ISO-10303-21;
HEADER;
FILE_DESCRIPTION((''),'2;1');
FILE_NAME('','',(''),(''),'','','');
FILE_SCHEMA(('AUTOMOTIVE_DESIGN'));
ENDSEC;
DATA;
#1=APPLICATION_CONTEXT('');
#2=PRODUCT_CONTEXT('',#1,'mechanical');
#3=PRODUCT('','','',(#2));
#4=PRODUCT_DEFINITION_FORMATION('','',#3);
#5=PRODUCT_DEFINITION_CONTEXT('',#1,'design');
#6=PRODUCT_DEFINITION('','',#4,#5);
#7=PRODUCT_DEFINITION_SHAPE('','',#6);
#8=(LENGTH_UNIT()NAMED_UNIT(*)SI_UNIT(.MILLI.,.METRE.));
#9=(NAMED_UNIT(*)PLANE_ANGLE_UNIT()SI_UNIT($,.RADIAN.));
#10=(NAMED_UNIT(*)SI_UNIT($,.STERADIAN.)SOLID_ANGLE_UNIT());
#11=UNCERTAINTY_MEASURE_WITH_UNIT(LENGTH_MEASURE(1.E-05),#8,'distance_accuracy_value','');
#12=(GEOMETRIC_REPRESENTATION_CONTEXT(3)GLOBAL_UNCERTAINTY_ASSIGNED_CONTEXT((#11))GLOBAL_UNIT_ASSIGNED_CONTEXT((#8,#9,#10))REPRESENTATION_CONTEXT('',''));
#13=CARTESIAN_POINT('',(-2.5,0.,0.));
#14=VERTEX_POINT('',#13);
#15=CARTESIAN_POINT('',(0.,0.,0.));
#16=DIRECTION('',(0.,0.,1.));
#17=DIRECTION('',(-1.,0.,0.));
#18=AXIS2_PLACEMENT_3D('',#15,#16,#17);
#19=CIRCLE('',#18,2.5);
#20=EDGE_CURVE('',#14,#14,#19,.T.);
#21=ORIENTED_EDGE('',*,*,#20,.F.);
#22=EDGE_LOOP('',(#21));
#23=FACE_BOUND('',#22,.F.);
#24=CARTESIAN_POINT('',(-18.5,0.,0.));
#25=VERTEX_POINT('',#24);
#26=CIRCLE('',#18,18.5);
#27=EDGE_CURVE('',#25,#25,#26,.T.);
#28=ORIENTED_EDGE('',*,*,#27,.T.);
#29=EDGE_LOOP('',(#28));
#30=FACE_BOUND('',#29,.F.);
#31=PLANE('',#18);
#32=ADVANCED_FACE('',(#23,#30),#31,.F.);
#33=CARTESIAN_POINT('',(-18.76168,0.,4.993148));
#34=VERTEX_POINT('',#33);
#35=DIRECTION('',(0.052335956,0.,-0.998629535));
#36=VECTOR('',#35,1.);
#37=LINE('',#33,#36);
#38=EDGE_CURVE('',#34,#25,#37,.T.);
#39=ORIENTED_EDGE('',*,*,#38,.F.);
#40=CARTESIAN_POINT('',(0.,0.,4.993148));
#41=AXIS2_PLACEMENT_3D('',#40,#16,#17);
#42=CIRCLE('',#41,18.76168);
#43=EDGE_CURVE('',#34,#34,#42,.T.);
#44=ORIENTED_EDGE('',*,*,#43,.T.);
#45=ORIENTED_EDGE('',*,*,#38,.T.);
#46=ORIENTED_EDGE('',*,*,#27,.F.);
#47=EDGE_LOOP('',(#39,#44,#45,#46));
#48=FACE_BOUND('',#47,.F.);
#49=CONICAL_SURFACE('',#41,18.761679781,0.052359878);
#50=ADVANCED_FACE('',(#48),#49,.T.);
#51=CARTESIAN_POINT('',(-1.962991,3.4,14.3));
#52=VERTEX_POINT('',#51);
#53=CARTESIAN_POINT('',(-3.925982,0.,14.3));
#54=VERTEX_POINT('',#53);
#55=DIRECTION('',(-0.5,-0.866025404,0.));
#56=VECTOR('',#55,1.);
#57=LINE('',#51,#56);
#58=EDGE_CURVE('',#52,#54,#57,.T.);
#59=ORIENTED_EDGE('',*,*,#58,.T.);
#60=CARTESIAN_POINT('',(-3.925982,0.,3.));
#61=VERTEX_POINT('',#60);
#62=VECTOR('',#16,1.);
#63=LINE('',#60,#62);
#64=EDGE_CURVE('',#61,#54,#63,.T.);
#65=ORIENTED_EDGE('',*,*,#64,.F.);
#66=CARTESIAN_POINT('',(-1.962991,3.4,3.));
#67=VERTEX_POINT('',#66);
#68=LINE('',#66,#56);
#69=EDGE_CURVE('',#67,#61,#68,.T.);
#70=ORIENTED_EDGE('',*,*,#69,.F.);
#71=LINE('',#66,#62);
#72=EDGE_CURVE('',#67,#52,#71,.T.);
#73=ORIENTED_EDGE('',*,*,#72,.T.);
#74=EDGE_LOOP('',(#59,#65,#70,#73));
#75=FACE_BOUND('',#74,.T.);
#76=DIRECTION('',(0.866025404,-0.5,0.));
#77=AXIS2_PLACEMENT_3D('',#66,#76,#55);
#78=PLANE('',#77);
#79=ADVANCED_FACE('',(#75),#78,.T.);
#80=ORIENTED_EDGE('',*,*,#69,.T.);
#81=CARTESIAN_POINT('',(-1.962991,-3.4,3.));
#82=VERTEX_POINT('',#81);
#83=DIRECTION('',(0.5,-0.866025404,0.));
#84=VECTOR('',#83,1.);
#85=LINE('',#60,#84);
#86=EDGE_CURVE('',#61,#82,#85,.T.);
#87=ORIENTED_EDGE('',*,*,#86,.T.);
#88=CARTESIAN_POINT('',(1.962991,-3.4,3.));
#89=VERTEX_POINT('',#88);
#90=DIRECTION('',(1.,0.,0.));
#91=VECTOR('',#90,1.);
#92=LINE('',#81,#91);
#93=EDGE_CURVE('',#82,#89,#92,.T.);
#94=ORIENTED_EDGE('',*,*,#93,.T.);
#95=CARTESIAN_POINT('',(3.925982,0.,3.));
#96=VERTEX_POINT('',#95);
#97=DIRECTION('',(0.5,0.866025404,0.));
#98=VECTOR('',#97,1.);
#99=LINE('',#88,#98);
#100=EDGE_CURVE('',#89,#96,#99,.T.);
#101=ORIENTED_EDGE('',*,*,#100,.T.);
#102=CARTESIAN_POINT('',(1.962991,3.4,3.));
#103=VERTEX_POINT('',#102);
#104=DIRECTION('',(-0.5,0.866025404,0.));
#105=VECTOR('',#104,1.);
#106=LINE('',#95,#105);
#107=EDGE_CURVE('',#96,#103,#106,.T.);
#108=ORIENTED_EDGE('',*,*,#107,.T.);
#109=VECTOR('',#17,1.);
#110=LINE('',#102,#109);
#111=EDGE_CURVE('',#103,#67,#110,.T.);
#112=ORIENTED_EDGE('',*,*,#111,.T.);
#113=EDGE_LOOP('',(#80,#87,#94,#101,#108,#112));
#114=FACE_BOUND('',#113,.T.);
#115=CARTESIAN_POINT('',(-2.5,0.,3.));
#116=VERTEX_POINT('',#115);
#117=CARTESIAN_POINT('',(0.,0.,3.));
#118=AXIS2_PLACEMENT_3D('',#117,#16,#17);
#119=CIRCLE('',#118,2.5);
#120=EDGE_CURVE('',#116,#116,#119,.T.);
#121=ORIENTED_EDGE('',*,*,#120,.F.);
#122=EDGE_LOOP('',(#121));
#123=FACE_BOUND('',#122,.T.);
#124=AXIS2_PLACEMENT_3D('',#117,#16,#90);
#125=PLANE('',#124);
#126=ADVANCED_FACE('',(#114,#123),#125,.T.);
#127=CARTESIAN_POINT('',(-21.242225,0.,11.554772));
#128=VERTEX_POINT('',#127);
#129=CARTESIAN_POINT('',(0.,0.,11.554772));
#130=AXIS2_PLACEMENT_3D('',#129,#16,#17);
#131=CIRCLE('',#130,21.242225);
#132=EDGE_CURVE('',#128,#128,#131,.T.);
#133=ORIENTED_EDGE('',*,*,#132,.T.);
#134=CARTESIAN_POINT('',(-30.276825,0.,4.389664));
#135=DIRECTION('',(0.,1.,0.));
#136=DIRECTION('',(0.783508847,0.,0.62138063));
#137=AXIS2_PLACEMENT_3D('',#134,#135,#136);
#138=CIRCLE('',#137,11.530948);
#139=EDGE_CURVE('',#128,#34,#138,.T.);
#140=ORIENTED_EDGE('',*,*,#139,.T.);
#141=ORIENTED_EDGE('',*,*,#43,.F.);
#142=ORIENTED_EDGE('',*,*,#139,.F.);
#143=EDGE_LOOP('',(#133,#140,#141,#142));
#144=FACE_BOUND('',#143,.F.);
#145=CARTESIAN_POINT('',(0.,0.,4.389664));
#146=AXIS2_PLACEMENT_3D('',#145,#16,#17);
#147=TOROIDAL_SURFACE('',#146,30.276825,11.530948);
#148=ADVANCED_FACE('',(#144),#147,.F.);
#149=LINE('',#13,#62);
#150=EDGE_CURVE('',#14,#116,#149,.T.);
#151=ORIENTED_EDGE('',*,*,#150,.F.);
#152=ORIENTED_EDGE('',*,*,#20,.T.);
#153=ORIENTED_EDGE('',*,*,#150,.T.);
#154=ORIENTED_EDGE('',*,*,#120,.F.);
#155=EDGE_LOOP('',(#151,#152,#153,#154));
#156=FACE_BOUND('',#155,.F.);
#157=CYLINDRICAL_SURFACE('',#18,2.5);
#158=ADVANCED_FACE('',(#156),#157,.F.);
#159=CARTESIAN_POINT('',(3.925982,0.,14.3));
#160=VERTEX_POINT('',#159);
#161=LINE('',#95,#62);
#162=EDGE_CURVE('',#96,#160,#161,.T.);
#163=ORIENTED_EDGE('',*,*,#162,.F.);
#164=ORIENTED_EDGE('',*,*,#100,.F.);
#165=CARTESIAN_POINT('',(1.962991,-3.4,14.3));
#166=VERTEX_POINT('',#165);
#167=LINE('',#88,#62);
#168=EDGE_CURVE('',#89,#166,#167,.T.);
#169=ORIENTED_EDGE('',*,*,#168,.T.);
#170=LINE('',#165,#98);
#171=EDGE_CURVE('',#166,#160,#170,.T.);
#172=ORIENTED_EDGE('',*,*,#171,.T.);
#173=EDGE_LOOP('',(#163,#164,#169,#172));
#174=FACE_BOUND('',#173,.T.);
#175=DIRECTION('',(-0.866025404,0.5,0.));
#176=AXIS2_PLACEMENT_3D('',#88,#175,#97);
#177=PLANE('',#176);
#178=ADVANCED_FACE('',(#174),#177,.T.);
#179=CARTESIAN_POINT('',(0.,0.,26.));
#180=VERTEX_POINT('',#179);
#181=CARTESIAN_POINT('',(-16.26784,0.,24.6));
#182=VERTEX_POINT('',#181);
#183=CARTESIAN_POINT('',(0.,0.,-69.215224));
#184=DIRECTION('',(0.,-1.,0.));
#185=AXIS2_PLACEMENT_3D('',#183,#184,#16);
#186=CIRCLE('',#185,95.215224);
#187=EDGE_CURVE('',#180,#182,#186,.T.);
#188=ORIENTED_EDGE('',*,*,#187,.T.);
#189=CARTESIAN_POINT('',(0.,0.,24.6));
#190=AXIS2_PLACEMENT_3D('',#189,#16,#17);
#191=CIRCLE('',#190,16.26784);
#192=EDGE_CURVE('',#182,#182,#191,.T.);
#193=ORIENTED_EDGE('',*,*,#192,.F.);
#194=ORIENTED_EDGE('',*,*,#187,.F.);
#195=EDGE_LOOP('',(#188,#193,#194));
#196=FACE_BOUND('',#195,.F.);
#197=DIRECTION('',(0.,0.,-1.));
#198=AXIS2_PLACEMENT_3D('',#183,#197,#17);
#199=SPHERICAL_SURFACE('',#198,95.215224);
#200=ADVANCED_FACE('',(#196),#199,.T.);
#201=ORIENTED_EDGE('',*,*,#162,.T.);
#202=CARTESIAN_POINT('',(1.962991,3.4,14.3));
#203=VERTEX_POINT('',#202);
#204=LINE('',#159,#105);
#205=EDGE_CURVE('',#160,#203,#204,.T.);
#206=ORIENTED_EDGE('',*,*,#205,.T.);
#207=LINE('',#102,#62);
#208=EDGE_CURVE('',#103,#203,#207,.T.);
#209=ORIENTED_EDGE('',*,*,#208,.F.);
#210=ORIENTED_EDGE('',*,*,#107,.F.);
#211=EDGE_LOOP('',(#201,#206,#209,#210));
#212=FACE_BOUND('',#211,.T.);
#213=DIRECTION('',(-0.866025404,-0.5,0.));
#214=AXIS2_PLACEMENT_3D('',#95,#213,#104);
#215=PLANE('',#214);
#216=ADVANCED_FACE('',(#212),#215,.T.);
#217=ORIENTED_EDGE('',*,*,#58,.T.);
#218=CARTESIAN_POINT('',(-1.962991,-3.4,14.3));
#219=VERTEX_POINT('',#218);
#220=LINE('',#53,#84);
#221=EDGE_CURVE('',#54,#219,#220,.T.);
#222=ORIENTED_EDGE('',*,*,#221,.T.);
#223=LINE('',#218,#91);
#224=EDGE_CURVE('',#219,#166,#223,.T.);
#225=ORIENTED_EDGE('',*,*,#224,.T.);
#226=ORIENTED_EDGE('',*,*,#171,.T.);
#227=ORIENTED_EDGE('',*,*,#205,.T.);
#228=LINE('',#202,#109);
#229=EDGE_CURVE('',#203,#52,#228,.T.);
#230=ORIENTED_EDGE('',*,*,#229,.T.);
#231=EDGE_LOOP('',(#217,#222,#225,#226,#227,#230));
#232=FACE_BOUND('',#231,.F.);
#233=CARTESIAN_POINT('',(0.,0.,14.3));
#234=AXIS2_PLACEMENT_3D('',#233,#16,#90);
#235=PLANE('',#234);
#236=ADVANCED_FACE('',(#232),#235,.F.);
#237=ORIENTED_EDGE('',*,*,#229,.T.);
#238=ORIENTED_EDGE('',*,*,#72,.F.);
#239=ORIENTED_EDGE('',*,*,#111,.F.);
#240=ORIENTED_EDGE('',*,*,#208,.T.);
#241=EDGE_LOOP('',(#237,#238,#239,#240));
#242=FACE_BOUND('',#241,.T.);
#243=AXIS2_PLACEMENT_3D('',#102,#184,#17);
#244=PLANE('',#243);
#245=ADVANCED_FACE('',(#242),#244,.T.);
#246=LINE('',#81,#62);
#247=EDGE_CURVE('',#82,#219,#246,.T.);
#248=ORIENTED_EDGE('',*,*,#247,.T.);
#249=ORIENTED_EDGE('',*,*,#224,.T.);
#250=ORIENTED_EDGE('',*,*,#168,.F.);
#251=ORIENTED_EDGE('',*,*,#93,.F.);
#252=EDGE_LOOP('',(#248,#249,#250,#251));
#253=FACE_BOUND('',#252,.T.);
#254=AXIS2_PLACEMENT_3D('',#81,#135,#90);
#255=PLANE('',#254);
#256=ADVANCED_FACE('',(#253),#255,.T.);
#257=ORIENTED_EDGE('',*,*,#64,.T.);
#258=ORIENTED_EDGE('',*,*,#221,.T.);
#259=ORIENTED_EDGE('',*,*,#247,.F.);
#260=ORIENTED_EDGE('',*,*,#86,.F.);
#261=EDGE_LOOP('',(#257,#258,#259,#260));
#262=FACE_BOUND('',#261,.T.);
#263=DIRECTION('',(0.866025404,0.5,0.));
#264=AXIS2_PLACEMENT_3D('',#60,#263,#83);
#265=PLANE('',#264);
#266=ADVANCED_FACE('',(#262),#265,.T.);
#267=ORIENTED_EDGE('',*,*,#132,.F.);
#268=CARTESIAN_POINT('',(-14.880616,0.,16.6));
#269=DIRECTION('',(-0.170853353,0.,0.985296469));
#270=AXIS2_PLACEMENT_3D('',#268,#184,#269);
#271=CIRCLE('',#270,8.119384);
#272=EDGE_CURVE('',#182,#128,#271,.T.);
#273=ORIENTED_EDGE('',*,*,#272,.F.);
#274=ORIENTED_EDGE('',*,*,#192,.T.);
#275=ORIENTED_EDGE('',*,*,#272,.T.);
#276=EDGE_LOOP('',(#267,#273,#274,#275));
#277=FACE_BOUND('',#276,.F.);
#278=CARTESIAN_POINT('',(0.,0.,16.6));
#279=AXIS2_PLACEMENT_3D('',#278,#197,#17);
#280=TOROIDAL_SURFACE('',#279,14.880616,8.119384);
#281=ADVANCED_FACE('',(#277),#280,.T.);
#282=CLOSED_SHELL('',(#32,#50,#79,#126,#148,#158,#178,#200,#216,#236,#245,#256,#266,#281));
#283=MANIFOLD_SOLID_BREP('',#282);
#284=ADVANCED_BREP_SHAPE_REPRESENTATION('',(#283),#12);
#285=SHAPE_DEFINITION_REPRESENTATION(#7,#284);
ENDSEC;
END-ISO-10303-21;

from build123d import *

# Parameters (mm, degrees)
F3_START = 3
F3_DEPTH = 11.3


with BuildPart() as f1:
    # F0 (on Front) → F1 (revolve)
    with BuildSketch(Plane.XZ):
        with BuildLine():
            Line((0, 10), (0, 26))
            ThreePointArc((0, 26), (-8.1639853644, 25.649354345), (-16.2678403028, 24.6))
            ThreePointArc((-16.2678403028, 24.6), (-22.4671567009, 19.4928871937), (-21.2422252804, 11.5547723019))
            ThreePointArc((-21.2422252804, 11.5547723019), (-19.490874253, 8.4671671574), (-18.7616797812, 4.9931476738))
            Line((-18.7616797812, 4.9931476738), (-18.5, 0))
            Line((-18.5, 0), (-2.5, 0))
            Line((-2.5, 0), (-2.5, 10))
            Line((-2.5, 10), (0, 10))
        make_face()
    revolve(axis=Axis((0, 0, 13), (0, 0, 1)))

    # F2 (on Top) → F3 (cut)
    with BuildSketch(Plane.XY.offset(F3_START)):
        Polygon((-1.9629909152, -3.4), (1.9629909152, -3.4), (3.9259818305, 0), (1.9629909152, 3.4), (-1.9629909152, 3.4), (-3.9259818305, 0), align=None)
    extrude(amount=F3_DEPTH, mode=Mode.SUBTRACT)


solid = f1.part
